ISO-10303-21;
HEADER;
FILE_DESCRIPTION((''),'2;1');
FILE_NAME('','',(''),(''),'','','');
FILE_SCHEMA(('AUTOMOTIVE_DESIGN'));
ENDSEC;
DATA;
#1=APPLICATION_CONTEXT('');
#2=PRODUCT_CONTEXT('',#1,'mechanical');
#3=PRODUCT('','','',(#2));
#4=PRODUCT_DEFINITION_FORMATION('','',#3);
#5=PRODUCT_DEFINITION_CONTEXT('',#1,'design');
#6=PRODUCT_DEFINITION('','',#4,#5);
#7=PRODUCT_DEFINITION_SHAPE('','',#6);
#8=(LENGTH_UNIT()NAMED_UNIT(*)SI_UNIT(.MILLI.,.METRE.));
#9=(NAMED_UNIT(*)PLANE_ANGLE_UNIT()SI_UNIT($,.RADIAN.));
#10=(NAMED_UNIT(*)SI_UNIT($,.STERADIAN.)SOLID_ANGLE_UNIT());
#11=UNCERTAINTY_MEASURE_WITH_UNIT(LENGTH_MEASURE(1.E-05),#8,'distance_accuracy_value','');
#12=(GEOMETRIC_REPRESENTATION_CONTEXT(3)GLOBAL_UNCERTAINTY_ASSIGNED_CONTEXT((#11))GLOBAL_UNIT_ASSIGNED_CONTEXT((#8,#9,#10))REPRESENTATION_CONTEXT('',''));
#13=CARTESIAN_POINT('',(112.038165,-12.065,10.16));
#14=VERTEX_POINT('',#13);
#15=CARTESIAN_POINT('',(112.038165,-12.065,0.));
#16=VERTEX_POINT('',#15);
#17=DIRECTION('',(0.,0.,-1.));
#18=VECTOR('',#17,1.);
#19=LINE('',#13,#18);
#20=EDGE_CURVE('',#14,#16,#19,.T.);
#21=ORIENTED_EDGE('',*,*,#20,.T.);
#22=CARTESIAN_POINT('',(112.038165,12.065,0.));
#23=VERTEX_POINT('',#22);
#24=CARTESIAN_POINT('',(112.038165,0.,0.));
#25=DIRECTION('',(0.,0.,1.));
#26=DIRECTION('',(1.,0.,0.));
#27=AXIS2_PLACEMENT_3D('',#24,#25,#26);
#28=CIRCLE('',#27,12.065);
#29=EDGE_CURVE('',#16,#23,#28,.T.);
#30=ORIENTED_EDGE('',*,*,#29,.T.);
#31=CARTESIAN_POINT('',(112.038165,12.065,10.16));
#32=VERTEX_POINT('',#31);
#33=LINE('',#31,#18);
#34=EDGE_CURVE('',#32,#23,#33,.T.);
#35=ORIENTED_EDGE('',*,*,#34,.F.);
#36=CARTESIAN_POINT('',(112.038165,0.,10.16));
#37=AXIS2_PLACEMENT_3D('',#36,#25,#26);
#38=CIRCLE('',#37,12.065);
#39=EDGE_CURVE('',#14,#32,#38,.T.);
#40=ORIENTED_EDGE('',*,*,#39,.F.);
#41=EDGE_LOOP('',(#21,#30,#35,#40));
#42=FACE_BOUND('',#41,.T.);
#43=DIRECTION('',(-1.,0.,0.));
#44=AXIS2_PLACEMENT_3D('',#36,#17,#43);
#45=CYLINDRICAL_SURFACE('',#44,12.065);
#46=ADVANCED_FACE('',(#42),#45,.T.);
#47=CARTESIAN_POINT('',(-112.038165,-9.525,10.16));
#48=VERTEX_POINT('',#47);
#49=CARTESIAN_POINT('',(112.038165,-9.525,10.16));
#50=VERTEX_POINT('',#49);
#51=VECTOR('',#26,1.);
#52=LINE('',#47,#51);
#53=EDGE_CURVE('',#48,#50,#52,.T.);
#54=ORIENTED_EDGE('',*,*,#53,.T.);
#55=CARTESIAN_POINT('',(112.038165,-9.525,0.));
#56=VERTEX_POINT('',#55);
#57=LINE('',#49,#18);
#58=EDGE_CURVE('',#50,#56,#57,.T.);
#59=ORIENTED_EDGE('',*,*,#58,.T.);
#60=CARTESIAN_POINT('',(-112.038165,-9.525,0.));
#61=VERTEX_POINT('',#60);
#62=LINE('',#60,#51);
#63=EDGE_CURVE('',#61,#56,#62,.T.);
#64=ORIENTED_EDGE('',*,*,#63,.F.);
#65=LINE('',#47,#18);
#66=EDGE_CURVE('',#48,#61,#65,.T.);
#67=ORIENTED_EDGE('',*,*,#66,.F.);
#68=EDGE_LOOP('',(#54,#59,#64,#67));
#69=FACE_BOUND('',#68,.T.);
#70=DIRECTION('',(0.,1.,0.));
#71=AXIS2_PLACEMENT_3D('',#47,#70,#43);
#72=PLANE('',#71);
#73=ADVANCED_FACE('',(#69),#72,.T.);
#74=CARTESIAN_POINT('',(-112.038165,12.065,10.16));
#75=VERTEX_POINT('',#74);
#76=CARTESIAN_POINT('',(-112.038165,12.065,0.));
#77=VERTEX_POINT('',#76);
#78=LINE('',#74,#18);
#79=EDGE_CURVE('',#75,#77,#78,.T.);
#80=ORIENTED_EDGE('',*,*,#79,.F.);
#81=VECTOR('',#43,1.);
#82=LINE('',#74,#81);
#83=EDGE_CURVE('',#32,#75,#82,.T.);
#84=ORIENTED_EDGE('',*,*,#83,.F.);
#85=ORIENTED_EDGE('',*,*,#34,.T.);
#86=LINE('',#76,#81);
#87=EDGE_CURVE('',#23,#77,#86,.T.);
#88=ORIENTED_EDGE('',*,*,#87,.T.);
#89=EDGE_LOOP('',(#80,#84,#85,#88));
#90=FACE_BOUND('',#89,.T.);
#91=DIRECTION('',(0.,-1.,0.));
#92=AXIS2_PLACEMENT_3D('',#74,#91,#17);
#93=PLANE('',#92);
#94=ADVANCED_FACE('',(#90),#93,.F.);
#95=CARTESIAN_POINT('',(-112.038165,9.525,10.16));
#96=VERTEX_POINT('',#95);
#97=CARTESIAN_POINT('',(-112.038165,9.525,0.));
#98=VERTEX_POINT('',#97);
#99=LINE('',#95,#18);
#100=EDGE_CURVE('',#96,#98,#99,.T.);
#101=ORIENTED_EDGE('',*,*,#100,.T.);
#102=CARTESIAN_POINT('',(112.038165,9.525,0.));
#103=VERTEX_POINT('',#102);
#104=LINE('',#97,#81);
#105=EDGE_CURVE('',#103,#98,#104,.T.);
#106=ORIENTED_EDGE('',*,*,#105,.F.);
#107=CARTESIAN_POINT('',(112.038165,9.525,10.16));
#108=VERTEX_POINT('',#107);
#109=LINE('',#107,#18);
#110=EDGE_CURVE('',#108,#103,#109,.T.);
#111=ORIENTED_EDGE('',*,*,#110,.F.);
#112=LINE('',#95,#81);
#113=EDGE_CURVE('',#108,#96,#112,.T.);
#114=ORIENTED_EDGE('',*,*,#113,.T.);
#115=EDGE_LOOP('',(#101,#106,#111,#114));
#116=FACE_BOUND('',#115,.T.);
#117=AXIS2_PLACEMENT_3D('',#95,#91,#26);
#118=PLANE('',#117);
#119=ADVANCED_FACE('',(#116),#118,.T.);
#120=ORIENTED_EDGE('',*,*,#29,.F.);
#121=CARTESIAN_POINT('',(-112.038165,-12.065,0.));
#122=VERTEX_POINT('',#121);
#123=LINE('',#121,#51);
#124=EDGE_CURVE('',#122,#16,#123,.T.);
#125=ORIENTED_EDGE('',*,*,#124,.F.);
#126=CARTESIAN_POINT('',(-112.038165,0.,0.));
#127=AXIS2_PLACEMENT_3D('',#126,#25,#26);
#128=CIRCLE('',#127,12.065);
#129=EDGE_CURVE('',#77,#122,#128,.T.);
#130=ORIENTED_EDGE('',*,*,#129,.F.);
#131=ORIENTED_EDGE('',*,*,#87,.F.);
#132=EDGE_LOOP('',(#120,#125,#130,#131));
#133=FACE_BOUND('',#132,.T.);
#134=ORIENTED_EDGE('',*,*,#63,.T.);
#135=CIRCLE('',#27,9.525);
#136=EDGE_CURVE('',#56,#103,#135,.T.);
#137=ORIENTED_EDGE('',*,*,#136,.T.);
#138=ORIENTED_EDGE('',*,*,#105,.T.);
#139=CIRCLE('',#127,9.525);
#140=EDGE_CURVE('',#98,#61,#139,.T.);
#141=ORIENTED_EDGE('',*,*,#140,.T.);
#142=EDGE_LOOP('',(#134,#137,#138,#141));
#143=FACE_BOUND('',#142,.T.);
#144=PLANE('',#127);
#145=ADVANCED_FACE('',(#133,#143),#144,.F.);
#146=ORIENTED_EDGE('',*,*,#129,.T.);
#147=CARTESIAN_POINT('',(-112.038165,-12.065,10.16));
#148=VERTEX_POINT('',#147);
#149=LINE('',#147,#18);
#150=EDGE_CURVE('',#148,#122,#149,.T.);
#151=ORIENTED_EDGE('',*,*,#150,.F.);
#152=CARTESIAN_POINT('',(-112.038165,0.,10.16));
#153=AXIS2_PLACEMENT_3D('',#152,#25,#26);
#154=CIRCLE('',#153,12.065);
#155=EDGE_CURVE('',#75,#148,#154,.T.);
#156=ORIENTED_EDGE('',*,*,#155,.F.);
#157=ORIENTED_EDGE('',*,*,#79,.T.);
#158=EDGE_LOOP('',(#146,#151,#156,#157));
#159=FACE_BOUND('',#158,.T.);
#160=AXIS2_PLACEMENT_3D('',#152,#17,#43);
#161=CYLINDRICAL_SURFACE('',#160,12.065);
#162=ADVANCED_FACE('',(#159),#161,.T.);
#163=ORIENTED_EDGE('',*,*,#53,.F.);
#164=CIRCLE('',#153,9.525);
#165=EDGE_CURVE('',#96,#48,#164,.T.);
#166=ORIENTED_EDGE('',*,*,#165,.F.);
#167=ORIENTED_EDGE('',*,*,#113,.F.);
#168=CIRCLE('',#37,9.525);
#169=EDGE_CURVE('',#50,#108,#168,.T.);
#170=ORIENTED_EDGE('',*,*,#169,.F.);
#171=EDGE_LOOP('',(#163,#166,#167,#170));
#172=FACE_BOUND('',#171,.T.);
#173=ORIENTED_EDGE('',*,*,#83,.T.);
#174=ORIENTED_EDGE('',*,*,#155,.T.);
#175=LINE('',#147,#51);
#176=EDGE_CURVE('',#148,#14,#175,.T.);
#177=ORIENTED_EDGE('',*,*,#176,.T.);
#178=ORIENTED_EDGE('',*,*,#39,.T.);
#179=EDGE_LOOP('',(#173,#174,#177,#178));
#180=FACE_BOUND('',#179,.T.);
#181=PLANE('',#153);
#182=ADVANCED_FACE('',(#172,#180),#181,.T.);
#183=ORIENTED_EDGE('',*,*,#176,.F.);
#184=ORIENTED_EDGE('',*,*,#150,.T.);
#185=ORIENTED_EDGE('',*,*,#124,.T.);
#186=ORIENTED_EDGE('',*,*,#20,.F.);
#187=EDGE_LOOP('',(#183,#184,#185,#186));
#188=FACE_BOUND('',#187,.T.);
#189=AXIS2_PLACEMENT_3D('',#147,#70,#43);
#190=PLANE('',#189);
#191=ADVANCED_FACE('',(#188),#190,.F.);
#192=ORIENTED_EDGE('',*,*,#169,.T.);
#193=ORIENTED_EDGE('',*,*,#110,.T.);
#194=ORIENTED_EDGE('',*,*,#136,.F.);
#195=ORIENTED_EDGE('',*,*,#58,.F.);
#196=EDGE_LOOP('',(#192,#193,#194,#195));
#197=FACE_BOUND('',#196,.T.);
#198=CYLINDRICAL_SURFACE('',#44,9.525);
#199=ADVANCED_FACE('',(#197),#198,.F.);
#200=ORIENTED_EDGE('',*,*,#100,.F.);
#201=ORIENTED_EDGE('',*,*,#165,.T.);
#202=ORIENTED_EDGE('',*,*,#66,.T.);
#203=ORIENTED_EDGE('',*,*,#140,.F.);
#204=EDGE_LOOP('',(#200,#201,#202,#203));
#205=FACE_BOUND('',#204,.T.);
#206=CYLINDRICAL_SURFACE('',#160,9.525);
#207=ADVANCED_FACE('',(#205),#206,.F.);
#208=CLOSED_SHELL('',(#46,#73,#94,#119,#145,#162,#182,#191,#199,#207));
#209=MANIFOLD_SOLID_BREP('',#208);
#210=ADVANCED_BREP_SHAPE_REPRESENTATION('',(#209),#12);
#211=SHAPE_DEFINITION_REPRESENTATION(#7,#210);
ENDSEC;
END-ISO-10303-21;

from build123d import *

# Parameters (mm, degrees)
BOSS_EXTRUDE1_DEPTH = 10.16


with BuildPart() as part:
    # Sketch1 → Boss-Extrude1 (new body)
    with BuildSketch(Plane.XY):
        with BuildLine():
            Line((-112.038165052, 12.065), (112.038165052, 12.065))
            ThreePointArc((112.038165052, 12.065), (124.103165052, 0), (112.038165052, -12.065))
            Line((112.038165052, -12.065), (-112.038165052, -12.065))
            ThreePointArc((-112.038165052, -12.065), (-124.103165052, 0), (-112.038165052, 12.065))
        make_face()
        with BuildLine():
            Line((-112.038165052, 9.525), (112.038165052, 9.525))
            ThreePointArc((112.038165052, 9.525), (121.563165052, 0), (112.038165052, -9.525))
            Line((112.038165052, -9.525), (-112.038165052, -9.525))
            ThreePointArc((-112.038165052, -9.525), (-121.563165052, 0), (-112.038165052, 9.525))
        make_face(mode=Mode.SUBTRACT)
    extrude(amount=BOSS_EXTRUDE1_DEPTH)


solid = part.part
